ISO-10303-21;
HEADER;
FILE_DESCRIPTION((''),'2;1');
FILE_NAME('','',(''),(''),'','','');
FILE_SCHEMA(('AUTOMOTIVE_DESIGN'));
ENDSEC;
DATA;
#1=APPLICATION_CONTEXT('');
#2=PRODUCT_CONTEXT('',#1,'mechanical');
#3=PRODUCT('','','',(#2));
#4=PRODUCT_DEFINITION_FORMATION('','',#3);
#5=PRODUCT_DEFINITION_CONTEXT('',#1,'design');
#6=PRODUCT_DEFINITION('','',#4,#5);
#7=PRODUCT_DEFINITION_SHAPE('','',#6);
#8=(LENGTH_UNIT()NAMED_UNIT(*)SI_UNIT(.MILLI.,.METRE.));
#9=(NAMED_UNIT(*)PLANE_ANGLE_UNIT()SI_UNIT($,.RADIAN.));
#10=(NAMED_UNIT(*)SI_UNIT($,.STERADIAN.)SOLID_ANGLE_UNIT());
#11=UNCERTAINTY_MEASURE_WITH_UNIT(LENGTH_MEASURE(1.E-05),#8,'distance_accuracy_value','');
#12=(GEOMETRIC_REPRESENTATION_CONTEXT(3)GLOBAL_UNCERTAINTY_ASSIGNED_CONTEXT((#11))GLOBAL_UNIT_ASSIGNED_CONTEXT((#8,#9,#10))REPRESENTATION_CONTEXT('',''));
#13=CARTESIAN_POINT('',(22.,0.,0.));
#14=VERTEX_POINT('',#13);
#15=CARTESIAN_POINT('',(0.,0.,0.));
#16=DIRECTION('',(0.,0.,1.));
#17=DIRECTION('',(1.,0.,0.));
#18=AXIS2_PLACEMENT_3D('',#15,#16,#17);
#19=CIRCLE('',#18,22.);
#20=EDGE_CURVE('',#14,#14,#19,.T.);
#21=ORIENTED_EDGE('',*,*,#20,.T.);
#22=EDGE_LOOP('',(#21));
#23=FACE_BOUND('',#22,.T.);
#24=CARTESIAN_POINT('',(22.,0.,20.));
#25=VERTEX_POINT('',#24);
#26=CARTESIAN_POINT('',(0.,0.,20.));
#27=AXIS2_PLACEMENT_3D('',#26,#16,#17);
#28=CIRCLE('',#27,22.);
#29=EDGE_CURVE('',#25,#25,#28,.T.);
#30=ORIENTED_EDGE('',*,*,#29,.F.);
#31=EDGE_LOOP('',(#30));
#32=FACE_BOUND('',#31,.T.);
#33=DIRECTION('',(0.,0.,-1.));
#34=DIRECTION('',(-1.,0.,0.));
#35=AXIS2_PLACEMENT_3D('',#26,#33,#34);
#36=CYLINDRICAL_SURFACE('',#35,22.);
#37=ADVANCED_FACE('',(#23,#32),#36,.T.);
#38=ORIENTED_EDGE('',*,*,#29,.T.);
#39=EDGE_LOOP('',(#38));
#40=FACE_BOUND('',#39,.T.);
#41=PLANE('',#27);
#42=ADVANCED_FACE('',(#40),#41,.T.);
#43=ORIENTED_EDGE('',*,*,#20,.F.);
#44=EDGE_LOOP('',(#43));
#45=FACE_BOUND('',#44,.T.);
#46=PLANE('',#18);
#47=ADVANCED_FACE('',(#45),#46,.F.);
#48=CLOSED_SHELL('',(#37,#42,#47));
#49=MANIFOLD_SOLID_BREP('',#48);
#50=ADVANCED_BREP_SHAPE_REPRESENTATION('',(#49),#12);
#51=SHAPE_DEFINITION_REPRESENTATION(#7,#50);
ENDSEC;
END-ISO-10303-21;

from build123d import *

# Parameters (mm, degrees)
SKETCH_1_R      = 22
EXTRUDE_1_DEPTH = 20


with BuildPart() as part:
    # 草图1 → 凸台-拉伸1 (new body)
    with BuildSketch(Plane.XY):
        Circle(SKETCH_1_R)
    extrude(amount=EXTRUDE_1_DEPTH)


solid = part.part
